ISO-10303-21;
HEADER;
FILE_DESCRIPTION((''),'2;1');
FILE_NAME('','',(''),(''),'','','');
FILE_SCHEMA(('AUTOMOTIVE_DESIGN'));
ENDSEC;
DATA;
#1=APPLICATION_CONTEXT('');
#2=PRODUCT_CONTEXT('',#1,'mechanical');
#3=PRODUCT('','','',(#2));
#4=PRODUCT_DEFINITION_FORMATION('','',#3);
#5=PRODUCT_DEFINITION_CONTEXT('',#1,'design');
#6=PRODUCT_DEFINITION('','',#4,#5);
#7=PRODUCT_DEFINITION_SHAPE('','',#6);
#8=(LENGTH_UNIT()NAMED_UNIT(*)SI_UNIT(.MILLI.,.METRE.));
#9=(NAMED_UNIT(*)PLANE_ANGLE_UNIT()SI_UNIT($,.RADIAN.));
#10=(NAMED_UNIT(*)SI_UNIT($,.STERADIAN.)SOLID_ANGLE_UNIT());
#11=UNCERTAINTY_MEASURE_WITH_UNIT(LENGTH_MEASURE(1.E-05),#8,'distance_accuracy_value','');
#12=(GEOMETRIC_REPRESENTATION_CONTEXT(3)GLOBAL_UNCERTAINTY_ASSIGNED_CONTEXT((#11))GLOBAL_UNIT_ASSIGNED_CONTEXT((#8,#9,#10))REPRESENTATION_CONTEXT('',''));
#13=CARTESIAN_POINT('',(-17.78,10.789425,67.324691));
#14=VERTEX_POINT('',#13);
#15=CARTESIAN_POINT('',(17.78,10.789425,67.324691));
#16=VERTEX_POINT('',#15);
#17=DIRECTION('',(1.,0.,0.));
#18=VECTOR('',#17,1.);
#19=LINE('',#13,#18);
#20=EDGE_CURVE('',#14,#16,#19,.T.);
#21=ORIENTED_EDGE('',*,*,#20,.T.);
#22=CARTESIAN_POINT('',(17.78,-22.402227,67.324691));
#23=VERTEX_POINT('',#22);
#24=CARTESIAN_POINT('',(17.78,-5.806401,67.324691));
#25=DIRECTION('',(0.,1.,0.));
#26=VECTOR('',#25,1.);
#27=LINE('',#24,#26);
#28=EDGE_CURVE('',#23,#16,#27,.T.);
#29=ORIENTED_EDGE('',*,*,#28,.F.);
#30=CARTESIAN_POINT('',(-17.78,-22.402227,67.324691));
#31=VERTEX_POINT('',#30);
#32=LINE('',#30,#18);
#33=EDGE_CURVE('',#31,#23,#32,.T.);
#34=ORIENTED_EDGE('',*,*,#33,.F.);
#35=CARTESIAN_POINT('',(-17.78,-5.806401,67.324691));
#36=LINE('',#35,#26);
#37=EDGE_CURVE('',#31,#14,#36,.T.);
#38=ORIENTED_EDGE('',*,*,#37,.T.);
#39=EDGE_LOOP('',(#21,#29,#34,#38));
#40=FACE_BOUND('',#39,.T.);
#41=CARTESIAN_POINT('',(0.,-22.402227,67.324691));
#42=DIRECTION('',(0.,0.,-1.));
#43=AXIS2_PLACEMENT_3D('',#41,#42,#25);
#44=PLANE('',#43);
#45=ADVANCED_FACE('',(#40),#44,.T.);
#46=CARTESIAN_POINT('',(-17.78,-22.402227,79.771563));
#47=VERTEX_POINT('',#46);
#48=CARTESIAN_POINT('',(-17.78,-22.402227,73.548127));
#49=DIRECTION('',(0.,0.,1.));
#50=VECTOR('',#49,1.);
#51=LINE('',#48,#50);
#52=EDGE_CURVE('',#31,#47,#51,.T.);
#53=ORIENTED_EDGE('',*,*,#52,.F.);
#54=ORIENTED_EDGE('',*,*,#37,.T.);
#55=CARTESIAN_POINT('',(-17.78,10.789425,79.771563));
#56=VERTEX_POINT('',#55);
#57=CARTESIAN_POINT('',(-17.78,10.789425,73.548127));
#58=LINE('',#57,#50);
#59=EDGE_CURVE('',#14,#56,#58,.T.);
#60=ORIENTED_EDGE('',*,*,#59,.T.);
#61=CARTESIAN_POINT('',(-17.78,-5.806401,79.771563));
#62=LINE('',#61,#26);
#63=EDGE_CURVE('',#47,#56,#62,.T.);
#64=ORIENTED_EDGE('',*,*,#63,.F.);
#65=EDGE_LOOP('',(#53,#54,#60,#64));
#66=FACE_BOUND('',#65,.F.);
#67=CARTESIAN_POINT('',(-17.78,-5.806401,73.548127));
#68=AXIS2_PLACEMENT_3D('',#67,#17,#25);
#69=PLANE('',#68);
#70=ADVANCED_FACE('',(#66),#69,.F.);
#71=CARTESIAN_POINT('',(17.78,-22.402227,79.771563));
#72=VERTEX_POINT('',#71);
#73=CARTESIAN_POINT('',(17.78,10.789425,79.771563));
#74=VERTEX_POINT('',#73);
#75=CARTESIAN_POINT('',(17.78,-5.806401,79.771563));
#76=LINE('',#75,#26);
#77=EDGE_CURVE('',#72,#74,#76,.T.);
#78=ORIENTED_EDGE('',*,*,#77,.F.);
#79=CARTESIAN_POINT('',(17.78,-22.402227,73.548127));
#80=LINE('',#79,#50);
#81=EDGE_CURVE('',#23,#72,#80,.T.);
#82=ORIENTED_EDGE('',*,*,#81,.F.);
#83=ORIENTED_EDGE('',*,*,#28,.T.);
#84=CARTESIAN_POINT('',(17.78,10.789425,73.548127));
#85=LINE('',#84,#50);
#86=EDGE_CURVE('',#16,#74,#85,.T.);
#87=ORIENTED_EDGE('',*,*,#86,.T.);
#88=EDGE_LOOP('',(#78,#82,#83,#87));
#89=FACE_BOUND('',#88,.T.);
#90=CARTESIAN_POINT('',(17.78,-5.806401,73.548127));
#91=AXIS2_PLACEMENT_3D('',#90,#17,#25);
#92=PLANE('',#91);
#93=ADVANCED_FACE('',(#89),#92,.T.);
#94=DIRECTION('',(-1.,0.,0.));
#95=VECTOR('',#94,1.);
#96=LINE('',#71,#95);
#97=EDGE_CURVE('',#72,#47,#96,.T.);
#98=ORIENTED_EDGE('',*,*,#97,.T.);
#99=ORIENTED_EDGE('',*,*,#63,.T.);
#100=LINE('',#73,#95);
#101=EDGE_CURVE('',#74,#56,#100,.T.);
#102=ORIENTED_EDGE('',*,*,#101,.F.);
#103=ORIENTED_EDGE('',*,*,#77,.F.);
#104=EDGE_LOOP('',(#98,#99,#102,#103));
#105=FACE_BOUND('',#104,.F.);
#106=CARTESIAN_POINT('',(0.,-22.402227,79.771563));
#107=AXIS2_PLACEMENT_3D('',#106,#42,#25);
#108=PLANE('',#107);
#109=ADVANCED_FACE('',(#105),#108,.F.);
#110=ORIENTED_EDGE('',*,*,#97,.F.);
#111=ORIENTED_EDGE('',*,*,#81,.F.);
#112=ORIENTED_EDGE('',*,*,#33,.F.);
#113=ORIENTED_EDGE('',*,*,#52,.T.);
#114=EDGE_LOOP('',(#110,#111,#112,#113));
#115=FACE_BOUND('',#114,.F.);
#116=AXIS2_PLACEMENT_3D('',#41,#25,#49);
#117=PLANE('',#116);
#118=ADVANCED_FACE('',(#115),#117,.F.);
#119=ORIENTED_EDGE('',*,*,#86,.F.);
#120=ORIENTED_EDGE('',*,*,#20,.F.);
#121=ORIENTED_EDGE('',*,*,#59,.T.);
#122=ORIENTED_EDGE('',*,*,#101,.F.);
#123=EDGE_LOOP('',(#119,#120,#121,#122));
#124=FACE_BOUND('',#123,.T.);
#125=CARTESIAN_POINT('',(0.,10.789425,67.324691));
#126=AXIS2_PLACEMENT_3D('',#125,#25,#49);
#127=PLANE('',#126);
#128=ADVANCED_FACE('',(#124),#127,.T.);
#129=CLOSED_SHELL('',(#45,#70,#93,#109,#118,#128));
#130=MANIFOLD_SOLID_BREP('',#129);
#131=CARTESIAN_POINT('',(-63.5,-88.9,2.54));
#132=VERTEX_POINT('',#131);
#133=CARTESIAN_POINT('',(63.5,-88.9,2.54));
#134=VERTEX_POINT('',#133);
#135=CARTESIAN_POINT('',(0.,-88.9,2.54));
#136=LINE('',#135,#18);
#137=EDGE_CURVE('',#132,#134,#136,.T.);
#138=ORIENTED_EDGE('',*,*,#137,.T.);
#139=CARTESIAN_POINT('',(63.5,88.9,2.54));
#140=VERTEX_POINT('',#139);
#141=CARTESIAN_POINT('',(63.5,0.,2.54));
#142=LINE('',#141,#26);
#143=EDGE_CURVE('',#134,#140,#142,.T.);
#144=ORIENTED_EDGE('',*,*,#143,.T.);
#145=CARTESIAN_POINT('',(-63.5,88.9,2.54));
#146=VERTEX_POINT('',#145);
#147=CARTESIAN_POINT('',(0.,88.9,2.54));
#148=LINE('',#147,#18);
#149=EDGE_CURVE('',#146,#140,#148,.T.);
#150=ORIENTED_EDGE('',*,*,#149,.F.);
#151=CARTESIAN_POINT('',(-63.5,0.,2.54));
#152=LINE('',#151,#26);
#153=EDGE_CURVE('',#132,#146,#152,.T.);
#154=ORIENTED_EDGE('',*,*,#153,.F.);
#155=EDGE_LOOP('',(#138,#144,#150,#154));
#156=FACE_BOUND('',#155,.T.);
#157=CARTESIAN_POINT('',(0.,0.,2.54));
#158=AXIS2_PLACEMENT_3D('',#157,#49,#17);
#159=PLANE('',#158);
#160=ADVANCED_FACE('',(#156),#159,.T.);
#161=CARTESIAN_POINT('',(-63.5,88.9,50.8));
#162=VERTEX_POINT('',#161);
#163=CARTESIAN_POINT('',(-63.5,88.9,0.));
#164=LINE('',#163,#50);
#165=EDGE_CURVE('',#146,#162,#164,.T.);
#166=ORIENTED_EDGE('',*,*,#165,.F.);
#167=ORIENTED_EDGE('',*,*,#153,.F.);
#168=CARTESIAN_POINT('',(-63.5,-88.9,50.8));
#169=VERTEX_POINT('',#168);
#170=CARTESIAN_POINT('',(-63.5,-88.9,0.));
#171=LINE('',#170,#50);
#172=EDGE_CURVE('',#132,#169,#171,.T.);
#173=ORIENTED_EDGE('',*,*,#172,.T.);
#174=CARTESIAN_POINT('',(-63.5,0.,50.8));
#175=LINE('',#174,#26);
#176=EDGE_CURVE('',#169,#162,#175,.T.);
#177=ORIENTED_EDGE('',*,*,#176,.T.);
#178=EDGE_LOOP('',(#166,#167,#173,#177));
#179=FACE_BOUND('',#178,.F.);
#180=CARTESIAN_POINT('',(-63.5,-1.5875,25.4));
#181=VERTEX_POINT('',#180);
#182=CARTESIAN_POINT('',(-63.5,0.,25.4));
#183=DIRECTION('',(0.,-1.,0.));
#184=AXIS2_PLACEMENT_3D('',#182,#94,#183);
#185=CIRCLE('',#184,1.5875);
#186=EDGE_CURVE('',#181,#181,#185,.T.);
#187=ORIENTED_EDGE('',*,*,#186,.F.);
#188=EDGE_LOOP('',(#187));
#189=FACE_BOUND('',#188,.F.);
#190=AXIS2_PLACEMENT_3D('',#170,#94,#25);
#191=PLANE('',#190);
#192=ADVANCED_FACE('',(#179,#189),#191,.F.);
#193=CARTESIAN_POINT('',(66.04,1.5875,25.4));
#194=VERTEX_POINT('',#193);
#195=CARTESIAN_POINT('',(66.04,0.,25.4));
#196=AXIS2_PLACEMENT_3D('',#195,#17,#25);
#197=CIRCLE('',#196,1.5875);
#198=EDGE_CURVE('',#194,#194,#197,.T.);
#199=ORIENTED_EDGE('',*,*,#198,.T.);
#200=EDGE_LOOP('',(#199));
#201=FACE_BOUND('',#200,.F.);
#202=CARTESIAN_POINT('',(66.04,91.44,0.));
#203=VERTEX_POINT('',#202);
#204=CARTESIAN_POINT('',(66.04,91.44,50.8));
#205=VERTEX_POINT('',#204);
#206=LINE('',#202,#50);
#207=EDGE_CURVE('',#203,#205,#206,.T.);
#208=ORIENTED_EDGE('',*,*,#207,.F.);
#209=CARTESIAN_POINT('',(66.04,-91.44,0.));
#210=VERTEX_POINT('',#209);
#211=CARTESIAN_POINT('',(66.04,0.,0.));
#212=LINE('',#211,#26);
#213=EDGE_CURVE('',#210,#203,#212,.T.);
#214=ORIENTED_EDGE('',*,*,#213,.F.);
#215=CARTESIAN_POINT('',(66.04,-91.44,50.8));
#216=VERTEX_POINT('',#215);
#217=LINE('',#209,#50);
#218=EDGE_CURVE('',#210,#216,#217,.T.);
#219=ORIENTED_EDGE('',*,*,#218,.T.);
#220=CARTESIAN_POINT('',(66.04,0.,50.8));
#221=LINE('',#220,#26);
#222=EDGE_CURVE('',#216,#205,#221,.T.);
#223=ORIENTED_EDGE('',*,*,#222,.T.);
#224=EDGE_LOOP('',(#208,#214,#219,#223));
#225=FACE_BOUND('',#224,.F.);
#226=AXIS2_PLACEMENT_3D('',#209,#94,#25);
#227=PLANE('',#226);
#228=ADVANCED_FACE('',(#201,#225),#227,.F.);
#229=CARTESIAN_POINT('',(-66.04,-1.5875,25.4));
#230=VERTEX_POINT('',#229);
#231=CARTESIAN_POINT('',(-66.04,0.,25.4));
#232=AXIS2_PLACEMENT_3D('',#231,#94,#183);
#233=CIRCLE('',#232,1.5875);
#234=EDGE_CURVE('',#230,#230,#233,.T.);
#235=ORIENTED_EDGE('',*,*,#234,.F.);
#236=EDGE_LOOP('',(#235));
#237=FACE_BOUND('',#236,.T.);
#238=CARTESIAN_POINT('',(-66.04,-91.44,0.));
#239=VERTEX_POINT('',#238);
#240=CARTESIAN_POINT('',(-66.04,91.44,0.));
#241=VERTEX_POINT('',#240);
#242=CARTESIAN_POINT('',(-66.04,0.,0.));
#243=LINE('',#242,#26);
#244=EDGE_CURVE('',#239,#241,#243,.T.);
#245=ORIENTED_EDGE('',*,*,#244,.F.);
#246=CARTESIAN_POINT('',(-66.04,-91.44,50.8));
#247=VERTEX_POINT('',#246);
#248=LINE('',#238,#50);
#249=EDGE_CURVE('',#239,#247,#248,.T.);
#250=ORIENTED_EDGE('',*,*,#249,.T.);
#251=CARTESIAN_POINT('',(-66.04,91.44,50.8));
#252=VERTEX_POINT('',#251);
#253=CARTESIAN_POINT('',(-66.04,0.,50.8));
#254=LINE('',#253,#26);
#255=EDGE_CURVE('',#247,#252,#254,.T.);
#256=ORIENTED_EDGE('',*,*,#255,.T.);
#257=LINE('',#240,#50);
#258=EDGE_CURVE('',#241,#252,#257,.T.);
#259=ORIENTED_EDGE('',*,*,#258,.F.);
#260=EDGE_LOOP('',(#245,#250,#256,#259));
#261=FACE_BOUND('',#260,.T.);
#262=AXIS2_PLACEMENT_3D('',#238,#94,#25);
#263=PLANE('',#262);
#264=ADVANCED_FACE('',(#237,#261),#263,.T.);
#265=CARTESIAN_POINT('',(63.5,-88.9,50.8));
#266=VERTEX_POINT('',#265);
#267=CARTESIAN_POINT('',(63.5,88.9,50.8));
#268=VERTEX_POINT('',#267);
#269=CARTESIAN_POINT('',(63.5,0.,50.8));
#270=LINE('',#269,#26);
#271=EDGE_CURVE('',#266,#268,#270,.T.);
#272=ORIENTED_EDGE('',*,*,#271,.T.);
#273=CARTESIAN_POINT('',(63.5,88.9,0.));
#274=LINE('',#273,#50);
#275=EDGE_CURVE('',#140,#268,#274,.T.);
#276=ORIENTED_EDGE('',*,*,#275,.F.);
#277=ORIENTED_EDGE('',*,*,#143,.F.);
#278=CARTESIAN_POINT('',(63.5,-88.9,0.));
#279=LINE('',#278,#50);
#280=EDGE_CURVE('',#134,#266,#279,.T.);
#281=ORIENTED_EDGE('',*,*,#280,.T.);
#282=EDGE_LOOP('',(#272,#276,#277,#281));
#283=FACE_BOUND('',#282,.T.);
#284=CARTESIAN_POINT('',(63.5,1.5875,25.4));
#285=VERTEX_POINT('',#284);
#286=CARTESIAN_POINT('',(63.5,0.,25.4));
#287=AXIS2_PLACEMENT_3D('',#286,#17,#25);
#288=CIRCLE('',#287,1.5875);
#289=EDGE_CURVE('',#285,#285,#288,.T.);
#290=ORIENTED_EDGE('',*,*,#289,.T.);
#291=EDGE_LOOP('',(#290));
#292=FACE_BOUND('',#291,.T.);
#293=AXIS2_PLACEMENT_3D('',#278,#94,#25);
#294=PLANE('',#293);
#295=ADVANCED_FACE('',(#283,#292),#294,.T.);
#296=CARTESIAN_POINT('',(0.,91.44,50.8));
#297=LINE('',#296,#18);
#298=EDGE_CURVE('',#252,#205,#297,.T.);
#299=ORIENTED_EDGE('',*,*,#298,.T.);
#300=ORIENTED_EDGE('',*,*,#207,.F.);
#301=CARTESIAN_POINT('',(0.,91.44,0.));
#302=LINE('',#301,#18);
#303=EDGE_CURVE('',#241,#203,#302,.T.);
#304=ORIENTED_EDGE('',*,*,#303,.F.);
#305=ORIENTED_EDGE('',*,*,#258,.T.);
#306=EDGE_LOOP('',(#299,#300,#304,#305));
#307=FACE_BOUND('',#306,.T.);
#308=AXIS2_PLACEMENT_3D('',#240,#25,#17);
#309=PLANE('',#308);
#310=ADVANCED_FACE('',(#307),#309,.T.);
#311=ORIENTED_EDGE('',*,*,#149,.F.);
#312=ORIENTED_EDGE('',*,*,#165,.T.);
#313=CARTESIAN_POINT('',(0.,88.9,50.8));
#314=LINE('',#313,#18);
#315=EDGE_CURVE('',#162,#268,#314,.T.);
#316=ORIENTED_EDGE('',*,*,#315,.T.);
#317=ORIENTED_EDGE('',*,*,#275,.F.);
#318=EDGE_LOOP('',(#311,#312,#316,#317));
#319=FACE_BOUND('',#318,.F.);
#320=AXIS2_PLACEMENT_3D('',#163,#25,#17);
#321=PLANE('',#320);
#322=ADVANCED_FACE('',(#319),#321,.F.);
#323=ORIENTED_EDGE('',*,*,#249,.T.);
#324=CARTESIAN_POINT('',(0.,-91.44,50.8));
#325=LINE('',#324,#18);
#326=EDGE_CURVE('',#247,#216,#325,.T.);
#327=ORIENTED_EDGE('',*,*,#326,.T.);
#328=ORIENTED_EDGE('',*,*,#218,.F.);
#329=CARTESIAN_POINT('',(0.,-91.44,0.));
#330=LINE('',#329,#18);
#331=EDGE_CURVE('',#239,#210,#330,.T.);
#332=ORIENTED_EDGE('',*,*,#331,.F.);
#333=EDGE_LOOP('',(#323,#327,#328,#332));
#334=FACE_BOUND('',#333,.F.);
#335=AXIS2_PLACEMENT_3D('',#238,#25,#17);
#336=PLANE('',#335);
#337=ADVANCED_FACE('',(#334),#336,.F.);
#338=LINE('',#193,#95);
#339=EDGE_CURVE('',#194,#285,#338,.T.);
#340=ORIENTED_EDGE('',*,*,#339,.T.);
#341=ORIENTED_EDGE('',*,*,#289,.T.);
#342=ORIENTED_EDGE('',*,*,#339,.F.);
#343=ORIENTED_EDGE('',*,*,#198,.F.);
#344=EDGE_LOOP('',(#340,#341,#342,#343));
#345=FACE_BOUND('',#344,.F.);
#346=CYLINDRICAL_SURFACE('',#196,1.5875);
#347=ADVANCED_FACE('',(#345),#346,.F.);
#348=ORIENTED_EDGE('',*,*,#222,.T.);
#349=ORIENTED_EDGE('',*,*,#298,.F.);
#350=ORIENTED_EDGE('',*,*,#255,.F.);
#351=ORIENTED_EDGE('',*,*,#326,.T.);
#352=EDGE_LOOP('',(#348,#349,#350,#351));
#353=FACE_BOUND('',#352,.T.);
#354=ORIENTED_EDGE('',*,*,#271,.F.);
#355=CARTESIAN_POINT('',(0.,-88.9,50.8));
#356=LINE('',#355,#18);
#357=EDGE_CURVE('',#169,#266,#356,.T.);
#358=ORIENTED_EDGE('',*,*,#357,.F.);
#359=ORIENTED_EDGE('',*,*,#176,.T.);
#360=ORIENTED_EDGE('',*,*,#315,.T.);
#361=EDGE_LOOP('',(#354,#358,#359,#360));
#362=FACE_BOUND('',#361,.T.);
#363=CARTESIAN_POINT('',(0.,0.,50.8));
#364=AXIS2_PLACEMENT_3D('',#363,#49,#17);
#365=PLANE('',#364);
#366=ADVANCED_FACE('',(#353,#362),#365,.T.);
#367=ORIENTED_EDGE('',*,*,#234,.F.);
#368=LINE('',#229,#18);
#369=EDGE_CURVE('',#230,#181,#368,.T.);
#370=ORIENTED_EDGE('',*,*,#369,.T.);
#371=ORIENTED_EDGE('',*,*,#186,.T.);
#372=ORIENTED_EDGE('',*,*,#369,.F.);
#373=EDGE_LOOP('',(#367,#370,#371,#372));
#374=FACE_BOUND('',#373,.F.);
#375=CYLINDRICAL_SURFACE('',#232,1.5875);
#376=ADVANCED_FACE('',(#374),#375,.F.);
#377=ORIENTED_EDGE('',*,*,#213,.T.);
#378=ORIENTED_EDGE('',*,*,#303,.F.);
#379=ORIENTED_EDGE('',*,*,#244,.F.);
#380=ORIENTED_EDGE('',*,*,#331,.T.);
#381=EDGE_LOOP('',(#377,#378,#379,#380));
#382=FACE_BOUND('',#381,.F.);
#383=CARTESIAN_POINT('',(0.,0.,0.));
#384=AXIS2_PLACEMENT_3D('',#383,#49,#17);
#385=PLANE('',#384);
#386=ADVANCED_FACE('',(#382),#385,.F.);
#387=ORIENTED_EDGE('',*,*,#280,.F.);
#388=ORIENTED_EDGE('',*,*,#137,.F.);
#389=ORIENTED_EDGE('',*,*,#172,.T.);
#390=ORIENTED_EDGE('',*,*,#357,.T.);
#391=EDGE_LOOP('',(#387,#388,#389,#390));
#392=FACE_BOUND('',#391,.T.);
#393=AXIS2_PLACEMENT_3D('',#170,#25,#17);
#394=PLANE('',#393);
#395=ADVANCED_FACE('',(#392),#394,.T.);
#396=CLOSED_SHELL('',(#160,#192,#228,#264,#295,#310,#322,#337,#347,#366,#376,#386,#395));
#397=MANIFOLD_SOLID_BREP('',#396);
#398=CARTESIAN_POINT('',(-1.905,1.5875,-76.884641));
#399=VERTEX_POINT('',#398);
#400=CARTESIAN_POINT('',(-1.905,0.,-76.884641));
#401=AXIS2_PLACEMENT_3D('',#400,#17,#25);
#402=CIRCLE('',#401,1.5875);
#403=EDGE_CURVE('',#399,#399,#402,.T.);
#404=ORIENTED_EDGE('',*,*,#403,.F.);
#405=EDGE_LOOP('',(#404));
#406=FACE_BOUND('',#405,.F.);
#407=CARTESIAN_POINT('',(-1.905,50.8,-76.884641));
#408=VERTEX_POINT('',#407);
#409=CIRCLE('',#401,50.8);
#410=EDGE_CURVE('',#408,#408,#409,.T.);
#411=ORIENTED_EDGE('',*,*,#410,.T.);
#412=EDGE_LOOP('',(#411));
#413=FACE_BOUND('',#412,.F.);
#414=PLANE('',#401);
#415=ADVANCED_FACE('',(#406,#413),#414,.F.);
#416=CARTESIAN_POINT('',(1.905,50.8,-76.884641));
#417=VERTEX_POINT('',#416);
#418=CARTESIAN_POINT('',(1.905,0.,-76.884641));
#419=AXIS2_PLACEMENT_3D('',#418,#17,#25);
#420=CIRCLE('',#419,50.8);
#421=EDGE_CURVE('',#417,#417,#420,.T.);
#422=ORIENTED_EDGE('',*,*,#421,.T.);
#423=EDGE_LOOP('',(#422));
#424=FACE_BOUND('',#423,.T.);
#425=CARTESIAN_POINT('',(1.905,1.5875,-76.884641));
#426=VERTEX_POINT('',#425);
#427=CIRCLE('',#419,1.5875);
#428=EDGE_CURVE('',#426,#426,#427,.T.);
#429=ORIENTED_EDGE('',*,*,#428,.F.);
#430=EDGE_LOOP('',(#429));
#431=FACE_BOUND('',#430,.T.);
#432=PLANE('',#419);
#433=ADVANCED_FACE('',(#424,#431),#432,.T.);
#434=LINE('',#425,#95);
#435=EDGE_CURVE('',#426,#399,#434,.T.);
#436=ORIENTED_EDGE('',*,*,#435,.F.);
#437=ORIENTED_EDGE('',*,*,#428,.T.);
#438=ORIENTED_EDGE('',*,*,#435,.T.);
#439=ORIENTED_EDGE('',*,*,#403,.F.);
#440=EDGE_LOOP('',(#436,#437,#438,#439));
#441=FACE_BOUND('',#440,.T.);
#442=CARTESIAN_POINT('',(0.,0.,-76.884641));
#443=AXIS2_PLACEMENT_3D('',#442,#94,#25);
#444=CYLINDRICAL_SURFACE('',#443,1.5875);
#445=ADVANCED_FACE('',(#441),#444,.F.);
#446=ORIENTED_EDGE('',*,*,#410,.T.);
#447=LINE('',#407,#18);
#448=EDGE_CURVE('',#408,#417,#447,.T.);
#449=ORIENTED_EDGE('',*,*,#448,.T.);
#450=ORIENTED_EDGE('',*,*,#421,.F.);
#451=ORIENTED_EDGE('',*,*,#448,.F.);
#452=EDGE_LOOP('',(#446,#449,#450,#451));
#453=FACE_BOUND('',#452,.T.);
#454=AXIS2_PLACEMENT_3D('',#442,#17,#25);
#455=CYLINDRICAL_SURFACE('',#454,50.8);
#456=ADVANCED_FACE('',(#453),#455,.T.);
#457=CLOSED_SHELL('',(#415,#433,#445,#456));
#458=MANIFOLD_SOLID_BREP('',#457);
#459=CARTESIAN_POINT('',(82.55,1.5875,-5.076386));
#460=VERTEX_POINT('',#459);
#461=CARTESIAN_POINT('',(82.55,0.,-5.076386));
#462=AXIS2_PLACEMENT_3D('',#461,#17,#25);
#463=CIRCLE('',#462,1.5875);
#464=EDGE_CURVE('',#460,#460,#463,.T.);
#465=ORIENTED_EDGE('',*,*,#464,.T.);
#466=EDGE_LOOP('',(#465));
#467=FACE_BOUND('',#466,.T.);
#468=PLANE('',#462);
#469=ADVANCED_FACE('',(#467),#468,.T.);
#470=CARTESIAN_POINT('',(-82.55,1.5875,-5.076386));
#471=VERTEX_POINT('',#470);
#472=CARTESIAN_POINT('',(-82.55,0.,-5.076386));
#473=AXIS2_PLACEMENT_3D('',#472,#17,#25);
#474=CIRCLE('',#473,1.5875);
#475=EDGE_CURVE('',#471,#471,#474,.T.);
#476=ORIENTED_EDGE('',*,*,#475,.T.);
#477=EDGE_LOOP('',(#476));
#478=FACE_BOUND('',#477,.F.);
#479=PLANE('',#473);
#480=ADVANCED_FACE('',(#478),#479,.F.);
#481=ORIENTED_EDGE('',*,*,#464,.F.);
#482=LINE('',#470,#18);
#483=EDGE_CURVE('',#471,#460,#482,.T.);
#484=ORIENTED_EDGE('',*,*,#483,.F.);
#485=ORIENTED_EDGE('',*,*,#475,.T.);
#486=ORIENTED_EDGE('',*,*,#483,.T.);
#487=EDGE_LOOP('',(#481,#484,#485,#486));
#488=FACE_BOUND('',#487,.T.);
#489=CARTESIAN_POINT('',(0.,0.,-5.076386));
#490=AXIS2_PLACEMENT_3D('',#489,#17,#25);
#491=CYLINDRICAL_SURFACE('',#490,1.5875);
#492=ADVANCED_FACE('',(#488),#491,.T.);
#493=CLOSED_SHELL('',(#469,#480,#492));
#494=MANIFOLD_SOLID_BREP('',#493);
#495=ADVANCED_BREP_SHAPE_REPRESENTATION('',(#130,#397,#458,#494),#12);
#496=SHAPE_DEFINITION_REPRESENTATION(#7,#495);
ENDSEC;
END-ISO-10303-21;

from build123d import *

# Parameters (mm, degrees)
F0_W      = 127
F0_H      = 177.8
F1_DEPTH  = 2.54
F0_W_2    = 132.08
F0_H_2    = 182.88
F2_DEPTH  = 50.8
F3_R      = 1.5875
F4_DEPTH  = 2.54
F5_R      = 1.5875
F6_DEPTH  = 2.54
F7_R      = 1.5875
F8_DEPTH  = 82.55
F9_R      = 50.8
F9_R_2    = 1.5875
F10_DEPTH = 1.905
F11_W     = 33.191652
F11_H     = 12.446872
F12_DEPTH = 17.78


with BuildPart() as f1:
    # F0 (on Top) → F1 (new body)
    with BuildSketch(Plane.XY):
        Rectangle(F0_W, F0_H)
    extrude(amount=F1_DEPTH)

    # F0 (on Top) → F2 (join)
    with BuildSketch(Plane.XY):
        Rectangle(F0_W_2, F0_H_2)
        Rectangle(F0_W, F0_H, mode=Mode.SUBTRACT)
    extrude(amount=F2_DEPTH)

    # F3 (on face) → F4 (cut)
    with BuildSketch(Plane.YZ.offset(66.04)):
        with Locations((0, 25.4)):
            Circle(F3_R)
    extrude(amount=-F4_DEPTH, mode=Mode.SUBTRACT)

    # F5 (on face) → F6 (cut)
    with BuildSketch(Plane(origin=(-66.04, 0, 0), x_dir=(0, -1, 0), z_dir=(-1, 0, 0))):
        with Locations((0, 25.4)):
            Circle(F5_R)
    extrude(amount=-F6_DEPTH, mode=Mode.SUBTRACT)


with BuildPart() as f8:
    # F7 (on Right) → F8 (new body, symmetric)
    with BuildSketch(Plane.YZ):
        with Locations((0, -5.076386)):
            Circle(F7_R)
    extrude(amount=F8_DEPTH, both=True)


with BuildPart() as f10:
    # F9 (on Right) → F10 (new body, symmetric)
    with BuildSketch(Plane.YZ):
        with Locations((0, -76.884641)):
            Circle(F9_R)
        with Locations((0, -76.884641)):
            Circle(F9_R_2, mode=Mode.SUBTRACT)
    extrude(amount=F10_DEPTH, both=True)


with BuildPart() as f12:
    # F11 (on Right) → F12 (new body, symmetric)
    with BuildSketch(Plane.YZ):
        with Locations((-5.806401, 73.548127)):
            Rectangle(F11_W, F11_H)
    extrude(amount=F12_DEPTH, both=True)


solid = Compound([f1.part, f8.part, f10.part, f12.part])
